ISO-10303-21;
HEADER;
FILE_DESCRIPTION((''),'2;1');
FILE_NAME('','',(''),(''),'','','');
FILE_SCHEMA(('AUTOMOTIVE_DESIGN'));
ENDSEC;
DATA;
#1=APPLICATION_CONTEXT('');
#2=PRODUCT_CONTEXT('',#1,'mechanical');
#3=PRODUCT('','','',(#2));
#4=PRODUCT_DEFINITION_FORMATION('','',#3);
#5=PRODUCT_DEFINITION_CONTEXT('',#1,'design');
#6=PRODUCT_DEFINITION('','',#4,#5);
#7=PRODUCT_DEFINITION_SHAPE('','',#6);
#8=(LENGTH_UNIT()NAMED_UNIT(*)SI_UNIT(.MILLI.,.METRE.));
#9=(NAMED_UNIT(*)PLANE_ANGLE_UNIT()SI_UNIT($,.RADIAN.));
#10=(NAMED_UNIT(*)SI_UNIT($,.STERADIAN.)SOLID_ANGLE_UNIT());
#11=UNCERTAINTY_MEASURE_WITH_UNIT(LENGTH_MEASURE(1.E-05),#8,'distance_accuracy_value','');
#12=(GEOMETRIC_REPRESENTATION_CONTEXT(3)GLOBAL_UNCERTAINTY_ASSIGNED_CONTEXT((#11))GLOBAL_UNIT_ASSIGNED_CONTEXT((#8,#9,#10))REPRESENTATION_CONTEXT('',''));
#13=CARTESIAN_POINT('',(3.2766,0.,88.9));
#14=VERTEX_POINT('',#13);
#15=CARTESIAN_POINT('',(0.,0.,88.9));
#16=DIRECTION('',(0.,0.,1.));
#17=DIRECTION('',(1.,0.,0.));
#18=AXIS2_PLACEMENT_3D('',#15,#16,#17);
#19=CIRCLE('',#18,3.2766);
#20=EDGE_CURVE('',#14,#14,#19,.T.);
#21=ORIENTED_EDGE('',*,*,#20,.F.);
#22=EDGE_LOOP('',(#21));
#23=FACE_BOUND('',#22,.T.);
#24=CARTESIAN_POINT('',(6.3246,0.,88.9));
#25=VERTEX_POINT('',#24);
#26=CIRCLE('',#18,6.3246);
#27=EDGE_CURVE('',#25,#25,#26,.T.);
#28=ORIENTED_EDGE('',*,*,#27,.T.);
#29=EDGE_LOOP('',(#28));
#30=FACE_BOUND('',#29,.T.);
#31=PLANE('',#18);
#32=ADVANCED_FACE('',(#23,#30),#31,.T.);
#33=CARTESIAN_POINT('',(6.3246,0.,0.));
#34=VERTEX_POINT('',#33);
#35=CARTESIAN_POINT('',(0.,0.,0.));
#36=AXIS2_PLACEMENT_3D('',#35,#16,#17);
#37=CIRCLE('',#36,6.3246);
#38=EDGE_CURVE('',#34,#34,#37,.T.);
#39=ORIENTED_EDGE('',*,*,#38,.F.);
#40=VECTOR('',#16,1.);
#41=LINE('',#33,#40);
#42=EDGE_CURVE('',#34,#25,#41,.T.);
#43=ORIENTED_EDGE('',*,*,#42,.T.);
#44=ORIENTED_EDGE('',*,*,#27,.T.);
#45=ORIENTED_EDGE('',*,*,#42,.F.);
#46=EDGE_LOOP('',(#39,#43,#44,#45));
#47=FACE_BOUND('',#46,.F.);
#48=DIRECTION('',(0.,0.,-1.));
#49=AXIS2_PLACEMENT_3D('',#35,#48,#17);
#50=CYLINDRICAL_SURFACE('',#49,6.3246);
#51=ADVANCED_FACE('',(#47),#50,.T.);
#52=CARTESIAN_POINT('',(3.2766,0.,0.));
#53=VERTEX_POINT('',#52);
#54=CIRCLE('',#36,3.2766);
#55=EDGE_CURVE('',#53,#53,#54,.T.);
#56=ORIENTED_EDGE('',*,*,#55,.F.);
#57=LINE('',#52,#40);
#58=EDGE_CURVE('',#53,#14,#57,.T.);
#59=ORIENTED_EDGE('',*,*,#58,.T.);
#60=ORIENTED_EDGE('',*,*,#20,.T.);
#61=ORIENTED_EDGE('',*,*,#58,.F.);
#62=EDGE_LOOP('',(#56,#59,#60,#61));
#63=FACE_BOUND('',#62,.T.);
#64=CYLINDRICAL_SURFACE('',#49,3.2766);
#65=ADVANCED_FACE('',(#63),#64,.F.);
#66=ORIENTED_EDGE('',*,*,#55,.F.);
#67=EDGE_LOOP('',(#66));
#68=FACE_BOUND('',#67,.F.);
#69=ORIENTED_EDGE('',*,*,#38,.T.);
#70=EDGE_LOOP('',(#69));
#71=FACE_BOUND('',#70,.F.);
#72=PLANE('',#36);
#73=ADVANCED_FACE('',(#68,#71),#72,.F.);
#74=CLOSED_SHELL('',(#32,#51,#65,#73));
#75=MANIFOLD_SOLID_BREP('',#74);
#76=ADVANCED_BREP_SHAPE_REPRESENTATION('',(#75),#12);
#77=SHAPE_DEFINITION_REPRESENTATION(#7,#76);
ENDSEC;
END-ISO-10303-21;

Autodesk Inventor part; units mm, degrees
ref_plane "YZ Plane" through (0, 0, 0) normal (1, 0, 0) x (0, 1, 0)
ref_plane "XZ Plane" through (0, 0, 0) normal (0, 1, 0) x (-1, 0, 0)
ref_plane "XY Plane" through (0, 0, 0) normal (0, 0, 1) x (1, 0, 0)
sketch "Sketch1" plane through (0, 0, 0) normal (0, 0, 1) x (1, 0, 0)
  circle A0 centre (0, 0) radius 3.2766
  circle A1 centre (0, 0) radius 6.3246
extrude "Extrusion1" add sketch "Sketch1" along normal blind 88.9
sketch "Sketch3" plane through (0, 0, 88.9) normal (0, 0, 1) x (1, 0, 0)
  circle A0 centre (0, 0) radius 3.2766
  circle A1 centre (0, 0) radius 3.2766 projected
  circle A2 centre (0, 0) radius 6.3246
properties part number "2AM-17-P-2202 - tube shaft" material "Aluminum 6061"
